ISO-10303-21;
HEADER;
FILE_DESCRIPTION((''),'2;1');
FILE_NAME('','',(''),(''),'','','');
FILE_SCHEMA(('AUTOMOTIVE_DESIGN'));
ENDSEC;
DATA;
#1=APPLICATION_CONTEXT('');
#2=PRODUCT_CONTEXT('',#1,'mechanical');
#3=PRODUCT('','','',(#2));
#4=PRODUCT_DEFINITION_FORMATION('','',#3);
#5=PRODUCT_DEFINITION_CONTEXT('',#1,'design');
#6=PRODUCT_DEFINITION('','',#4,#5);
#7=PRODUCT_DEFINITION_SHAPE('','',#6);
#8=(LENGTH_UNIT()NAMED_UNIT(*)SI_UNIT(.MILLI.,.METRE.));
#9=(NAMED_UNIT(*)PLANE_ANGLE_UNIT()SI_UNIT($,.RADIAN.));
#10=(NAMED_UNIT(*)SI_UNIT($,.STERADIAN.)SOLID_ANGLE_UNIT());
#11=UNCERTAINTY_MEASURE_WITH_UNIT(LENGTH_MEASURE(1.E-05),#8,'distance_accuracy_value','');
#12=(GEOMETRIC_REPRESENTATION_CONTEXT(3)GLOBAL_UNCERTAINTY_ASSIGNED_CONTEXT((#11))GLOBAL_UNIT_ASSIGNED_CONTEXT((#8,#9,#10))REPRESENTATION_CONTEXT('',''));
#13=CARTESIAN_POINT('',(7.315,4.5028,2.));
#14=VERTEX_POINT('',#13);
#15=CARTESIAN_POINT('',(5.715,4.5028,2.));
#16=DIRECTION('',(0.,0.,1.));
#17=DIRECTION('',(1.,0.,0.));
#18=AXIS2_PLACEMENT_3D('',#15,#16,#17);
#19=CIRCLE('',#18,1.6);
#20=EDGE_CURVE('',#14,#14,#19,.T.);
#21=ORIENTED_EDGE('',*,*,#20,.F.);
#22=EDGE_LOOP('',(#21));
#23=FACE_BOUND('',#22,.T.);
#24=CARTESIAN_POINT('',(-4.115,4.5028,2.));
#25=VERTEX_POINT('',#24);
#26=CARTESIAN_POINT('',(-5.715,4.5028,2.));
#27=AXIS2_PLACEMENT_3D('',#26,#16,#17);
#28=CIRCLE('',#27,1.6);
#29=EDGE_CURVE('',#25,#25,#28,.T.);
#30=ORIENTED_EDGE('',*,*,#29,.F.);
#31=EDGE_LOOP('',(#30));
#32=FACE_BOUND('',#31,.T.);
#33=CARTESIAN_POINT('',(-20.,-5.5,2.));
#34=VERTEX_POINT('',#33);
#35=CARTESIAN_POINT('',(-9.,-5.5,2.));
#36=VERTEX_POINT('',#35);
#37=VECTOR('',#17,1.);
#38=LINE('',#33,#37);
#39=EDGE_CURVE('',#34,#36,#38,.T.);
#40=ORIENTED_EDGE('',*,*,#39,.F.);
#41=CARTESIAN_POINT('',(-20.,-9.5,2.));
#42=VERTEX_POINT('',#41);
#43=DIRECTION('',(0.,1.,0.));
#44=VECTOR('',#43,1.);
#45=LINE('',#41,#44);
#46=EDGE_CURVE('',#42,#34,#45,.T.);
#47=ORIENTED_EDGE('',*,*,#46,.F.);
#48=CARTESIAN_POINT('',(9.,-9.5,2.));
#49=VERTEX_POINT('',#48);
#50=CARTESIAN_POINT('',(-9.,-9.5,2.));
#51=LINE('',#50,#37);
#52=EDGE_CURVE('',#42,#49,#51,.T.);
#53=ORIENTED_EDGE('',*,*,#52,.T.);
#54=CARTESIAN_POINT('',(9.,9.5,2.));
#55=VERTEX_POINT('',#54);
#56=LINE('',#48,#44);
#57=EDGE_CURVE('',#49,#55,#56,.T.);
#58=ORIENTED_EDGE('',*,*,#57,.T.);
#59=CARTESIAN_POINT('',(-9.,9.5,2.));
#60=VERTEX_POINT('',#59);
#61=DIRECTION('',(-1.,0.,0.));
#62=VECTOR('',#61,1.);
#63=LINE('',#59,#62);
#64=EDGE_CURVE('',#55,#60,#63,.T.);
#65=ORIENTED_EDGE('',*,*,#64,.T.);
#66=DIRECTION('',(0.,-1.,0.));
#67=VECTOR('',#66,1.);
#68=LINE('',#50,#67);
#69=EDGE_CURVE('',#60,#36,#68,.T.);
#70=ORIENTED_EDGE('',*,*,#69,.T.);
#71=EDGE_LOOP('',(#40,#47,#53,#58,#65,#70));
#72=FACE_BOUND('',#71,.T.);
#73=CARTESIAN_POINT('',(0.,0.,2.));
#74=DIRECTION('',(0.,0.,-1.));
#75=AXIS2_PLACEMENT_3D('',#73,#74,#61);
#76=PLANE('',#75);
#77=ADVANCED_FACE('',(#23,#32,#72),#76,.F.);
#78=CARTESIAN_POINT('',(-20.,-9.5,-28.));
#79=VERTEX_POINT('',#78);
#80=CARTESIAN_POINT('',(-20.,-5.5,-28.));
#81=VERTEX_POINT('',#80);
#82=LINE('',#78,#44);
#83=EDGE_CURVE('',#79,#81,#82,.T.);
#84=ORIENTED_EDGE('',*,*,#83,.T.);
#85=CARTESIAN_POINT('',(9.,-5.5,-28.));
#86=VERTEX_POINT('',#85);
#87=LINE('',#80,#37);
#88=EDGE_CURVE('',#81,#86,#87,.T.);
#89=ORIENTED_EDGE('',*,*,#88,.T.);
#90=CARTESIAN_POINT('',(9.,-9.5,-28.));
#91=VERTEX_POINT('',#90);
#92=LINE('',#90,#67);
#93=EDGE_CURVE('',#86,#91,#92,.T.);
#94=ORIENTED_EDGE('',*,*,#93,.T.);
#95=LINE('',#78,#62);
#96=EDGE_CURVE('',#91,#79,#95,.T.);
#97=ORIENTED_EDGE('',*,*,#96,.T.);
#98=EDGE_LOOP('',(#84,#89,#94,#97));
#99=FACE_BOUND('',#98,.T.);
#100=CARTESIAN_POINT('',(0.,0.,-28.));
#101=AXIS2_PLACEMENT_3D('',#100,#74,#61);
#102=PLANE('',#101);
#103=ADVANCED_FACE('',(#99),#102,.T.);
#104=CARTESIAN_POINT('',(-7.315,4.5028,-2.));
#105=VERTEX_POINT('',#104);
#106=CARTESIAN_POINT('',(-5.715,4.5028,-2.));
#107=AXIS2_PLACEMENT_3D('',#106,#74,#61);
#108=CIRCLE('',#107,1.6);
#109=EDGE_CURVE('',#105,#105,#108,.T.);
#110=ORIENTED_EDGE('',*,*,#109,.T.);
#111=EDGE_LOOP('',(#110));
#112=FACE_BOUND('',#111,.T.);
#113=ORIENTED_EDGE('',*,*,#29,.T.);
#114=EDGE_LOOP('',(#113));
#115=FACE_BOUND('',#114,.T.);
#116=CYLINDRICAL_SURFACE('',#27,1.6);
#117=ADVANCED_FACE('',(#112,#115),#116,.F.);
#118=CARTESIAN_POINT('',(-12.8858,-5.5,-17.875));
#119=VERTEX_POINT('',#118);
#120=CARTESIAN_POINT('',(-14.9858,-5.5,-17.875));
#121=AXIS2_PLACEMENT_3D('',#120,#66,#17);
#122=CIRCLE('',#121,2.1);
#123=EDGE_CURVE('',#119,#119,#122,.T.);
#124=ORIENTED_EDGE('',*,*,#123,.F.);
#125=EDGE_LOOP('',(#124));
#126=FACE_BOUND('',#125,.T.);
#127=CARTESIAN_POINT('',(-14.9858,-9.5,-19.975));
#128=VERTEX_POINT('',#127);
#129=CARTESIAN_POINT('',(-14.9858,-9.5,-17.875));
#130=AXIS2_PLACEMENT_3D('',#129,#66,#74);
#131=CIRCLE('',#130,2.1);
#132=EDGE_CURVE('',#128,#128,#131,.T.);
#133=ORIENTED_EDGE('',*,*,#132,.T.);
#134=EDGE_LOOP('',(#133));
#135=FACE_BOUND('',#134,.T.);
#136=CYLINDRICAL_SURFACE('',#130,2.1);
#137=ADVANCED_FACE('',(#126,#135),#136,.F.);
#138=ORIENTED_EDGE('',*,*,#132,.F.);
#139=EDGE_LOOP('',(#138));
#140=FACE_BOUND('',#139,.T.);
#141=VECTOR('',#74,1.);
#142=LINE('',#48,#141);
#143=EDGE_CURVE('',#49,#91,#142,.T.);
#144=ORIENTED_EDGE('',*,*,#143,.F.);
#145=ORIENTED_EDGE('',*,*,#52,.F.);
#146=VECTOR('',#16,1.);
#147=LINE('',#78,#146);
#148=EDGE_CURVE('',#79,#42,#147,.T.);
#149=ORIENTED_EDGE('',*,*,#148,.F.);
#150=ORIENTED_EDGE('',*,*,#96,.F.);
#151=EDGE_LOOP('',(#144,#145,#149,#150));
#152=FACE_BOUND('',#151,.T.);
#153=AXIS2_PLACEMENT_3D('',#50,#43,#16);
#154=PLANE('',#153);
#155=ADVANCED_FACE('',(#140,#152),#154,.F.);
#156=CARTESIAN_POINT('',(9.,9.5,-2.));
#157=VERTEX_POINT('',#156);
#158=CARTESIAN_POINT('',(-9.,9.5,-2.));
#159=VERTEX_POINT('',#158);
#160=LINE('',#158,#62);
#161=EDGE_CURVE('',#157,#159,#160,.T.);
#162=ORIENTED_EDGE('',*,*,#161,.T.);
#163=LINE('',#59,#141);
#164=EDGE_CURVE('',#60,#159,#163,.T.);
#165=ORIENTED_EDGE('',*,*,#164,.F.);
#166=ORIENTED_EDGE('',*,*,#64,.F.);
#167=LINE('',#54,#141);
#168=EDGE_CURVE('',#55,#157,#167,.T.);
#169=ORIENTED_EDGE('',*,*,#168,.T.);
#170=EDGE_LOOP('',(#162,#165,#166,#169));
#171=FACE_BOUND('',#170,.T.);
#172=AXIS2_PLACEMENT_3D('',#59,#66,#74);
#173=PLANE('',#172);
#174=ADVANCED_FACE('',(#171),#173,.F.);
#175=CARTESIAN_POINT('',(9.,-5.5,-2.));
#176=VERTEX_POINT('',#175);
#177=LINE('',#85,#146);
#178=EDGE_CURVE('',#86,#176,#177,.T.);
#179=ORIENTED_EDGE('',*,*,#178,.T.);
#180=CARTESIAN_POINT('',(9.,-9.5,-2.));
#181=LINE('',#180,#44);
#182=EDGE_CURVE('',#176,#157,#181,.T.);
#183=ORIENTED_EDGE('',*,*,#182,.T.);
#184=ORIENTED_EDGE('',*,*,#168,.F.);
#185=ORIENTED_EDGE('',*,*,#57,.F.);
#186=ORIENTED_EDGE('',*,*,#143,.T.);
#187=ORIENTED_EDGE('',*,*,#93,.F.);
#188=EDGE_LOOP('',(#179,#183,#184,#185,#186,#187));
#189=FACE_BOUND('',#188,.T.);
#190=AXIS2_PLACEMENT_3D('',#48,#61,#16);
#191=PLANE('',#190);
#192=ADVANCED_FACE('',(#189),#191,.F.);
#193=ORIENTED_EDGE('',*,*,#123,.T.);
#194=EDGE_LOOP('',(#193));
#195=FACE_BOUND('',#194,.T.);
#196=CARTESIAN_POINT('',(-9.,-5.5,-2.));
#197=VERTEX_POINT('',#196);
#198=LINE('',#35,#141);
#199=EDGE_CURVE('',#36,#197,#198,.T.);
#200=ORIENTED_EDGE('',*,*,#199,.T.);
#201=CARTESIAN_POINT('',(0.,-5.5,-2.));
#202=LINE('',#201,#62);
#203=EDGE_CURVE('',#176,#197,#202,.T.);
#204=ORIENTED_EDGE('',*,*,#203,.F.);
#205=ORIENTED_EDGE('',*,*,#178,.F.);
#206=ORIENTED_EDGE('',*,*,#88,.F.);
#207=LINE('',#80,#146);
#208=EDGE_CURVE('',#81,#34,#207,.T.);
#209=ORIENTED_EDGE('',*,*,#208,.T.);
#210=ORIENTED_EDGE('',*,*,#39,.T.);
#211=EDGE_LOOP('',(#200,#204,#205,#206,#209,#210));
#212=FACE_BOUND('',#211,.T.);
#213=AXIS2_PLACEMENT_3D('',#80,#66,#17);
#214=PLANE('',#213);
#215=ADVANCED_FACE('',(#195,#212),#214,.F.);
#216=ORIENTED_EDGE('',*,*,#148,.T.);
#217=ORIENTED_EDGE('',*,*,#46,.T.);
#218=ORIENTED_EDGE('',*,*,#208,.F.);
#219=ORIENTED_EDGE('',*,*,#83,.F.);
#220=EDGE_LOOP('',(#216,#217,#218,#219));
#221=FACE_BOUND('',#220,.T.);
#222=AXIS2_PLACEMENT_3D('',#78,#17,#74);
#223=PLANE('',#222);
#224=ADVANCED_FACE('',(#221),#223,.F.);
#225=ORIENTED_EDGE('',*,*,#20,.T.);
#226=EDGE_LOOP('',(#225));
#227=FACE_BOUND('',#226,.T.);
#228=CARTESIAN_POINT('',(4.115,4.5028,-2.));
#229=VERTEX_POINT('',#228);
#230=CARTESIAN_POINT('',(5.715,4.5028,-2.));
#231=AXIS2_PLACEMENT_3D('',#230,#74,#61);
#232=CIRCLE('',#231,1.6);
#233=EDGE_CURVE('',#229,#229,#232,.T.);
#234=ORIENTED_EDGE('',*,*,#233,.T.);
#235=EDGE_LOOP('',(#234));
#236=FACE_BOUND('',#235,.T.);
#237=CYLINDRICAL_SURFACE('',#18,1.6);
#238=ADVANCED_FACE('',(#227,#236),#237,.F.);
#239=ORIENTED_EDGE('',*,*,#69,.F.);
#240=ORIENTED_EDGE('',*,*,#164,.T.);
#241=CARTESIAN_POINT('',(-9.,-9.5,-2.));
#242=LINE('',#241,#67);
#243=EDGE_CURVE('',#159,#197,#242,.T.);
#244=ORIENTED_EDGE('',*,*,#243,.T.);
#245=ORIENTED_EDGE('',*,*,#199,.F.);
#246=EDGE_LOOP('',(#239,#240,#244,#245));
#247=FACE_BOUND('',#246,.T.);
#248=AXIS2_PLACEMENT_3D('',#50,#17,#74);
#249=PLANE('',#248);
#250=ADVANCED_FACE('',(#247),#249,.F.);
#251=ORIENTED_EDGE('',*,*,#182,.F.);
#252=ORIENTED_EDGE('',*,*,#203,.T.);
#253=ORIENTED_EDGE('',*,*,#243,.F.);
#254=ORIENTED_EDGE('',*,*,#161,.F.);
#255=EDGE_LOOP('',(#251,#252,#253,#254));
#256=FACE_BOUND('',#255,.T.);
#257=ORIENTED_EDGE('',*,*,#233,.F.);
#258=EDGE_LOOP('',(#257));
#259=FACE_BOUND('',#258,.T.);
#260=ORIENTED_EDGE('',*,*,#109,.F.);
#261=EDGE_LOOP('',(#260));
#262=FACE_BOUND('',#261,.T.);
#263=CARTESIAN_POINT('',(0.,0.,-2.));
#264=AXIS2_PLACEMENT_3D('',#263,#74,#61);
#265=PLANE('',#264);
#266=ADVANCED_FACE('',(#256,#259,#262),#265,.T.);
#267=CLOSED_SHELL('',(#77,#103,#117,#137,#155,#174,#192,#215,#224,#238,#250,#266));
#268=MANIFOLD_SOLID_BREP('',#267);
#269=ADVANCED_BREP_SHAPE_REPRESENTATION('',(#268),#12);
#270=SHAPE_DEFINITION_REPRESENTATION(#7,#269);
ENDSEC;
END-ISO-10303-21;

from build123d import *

# Parameters (mm, degrees)
SKETCH1_W                          = 18
SKETCH1_H                          = 19
BOSS_EXTRUDE1_DEPTH                = 2
SKETCH2_W                          = 29
SKETCH2_H                          = 4
BOSS_EXTRUDE2_DEPTH                = 30
M3_CLEARANCE_HOLE1_D               = 3.2
TAPPED_HOLE_FOR_M4X0_7_HELICOIL1_D = 4.2


with BuildPart() as part:
    # Sketch1 → Boss-Extrude1 (new, symmetric)
    with BuildSketch(Plane.XY):
        Rectangle(SKETCH1_W, SKETCH1_H)
    extrude(amount=BOSS_EXTRUDE1_DEPTH, both=True)

    # Sketch2 → Boss-Extrude2 (add)
    with BuildSketch(Plane(origin=(0, 0, 2), x_dir=(-1, 0, 0), z_dir=(0, 0, -1))):
        with Locations((5.5, -7.5)):
            Rectangle(SKETCH2_W, SKETCH2_H)
    extrude(amount=BOSS_EXTRUDE2_DEPTH)

    # M3 Clearance Hole1 (through all)
    with Locations(Plane.XY.offset(2)):
        with Locations((-5.715, 4.5028), (5.715, 4.5028)):
            Hole(M3_CLEARANCE_HOLE1_D / 2)

    # Tapped Hole for M4x0.7 Helicoil1 (through all)
    with Locations(Plane(origin=(0, -9.5, 0), x_dir=(-1, 0, 0), z_dir=(0, -1, 0))):
        with Locations((14.9858, 17.875)):
            Hole(TAPPED_HOLE_FOR_M4X0_7_HELICOIL1_D / 2)


solid = part.part
